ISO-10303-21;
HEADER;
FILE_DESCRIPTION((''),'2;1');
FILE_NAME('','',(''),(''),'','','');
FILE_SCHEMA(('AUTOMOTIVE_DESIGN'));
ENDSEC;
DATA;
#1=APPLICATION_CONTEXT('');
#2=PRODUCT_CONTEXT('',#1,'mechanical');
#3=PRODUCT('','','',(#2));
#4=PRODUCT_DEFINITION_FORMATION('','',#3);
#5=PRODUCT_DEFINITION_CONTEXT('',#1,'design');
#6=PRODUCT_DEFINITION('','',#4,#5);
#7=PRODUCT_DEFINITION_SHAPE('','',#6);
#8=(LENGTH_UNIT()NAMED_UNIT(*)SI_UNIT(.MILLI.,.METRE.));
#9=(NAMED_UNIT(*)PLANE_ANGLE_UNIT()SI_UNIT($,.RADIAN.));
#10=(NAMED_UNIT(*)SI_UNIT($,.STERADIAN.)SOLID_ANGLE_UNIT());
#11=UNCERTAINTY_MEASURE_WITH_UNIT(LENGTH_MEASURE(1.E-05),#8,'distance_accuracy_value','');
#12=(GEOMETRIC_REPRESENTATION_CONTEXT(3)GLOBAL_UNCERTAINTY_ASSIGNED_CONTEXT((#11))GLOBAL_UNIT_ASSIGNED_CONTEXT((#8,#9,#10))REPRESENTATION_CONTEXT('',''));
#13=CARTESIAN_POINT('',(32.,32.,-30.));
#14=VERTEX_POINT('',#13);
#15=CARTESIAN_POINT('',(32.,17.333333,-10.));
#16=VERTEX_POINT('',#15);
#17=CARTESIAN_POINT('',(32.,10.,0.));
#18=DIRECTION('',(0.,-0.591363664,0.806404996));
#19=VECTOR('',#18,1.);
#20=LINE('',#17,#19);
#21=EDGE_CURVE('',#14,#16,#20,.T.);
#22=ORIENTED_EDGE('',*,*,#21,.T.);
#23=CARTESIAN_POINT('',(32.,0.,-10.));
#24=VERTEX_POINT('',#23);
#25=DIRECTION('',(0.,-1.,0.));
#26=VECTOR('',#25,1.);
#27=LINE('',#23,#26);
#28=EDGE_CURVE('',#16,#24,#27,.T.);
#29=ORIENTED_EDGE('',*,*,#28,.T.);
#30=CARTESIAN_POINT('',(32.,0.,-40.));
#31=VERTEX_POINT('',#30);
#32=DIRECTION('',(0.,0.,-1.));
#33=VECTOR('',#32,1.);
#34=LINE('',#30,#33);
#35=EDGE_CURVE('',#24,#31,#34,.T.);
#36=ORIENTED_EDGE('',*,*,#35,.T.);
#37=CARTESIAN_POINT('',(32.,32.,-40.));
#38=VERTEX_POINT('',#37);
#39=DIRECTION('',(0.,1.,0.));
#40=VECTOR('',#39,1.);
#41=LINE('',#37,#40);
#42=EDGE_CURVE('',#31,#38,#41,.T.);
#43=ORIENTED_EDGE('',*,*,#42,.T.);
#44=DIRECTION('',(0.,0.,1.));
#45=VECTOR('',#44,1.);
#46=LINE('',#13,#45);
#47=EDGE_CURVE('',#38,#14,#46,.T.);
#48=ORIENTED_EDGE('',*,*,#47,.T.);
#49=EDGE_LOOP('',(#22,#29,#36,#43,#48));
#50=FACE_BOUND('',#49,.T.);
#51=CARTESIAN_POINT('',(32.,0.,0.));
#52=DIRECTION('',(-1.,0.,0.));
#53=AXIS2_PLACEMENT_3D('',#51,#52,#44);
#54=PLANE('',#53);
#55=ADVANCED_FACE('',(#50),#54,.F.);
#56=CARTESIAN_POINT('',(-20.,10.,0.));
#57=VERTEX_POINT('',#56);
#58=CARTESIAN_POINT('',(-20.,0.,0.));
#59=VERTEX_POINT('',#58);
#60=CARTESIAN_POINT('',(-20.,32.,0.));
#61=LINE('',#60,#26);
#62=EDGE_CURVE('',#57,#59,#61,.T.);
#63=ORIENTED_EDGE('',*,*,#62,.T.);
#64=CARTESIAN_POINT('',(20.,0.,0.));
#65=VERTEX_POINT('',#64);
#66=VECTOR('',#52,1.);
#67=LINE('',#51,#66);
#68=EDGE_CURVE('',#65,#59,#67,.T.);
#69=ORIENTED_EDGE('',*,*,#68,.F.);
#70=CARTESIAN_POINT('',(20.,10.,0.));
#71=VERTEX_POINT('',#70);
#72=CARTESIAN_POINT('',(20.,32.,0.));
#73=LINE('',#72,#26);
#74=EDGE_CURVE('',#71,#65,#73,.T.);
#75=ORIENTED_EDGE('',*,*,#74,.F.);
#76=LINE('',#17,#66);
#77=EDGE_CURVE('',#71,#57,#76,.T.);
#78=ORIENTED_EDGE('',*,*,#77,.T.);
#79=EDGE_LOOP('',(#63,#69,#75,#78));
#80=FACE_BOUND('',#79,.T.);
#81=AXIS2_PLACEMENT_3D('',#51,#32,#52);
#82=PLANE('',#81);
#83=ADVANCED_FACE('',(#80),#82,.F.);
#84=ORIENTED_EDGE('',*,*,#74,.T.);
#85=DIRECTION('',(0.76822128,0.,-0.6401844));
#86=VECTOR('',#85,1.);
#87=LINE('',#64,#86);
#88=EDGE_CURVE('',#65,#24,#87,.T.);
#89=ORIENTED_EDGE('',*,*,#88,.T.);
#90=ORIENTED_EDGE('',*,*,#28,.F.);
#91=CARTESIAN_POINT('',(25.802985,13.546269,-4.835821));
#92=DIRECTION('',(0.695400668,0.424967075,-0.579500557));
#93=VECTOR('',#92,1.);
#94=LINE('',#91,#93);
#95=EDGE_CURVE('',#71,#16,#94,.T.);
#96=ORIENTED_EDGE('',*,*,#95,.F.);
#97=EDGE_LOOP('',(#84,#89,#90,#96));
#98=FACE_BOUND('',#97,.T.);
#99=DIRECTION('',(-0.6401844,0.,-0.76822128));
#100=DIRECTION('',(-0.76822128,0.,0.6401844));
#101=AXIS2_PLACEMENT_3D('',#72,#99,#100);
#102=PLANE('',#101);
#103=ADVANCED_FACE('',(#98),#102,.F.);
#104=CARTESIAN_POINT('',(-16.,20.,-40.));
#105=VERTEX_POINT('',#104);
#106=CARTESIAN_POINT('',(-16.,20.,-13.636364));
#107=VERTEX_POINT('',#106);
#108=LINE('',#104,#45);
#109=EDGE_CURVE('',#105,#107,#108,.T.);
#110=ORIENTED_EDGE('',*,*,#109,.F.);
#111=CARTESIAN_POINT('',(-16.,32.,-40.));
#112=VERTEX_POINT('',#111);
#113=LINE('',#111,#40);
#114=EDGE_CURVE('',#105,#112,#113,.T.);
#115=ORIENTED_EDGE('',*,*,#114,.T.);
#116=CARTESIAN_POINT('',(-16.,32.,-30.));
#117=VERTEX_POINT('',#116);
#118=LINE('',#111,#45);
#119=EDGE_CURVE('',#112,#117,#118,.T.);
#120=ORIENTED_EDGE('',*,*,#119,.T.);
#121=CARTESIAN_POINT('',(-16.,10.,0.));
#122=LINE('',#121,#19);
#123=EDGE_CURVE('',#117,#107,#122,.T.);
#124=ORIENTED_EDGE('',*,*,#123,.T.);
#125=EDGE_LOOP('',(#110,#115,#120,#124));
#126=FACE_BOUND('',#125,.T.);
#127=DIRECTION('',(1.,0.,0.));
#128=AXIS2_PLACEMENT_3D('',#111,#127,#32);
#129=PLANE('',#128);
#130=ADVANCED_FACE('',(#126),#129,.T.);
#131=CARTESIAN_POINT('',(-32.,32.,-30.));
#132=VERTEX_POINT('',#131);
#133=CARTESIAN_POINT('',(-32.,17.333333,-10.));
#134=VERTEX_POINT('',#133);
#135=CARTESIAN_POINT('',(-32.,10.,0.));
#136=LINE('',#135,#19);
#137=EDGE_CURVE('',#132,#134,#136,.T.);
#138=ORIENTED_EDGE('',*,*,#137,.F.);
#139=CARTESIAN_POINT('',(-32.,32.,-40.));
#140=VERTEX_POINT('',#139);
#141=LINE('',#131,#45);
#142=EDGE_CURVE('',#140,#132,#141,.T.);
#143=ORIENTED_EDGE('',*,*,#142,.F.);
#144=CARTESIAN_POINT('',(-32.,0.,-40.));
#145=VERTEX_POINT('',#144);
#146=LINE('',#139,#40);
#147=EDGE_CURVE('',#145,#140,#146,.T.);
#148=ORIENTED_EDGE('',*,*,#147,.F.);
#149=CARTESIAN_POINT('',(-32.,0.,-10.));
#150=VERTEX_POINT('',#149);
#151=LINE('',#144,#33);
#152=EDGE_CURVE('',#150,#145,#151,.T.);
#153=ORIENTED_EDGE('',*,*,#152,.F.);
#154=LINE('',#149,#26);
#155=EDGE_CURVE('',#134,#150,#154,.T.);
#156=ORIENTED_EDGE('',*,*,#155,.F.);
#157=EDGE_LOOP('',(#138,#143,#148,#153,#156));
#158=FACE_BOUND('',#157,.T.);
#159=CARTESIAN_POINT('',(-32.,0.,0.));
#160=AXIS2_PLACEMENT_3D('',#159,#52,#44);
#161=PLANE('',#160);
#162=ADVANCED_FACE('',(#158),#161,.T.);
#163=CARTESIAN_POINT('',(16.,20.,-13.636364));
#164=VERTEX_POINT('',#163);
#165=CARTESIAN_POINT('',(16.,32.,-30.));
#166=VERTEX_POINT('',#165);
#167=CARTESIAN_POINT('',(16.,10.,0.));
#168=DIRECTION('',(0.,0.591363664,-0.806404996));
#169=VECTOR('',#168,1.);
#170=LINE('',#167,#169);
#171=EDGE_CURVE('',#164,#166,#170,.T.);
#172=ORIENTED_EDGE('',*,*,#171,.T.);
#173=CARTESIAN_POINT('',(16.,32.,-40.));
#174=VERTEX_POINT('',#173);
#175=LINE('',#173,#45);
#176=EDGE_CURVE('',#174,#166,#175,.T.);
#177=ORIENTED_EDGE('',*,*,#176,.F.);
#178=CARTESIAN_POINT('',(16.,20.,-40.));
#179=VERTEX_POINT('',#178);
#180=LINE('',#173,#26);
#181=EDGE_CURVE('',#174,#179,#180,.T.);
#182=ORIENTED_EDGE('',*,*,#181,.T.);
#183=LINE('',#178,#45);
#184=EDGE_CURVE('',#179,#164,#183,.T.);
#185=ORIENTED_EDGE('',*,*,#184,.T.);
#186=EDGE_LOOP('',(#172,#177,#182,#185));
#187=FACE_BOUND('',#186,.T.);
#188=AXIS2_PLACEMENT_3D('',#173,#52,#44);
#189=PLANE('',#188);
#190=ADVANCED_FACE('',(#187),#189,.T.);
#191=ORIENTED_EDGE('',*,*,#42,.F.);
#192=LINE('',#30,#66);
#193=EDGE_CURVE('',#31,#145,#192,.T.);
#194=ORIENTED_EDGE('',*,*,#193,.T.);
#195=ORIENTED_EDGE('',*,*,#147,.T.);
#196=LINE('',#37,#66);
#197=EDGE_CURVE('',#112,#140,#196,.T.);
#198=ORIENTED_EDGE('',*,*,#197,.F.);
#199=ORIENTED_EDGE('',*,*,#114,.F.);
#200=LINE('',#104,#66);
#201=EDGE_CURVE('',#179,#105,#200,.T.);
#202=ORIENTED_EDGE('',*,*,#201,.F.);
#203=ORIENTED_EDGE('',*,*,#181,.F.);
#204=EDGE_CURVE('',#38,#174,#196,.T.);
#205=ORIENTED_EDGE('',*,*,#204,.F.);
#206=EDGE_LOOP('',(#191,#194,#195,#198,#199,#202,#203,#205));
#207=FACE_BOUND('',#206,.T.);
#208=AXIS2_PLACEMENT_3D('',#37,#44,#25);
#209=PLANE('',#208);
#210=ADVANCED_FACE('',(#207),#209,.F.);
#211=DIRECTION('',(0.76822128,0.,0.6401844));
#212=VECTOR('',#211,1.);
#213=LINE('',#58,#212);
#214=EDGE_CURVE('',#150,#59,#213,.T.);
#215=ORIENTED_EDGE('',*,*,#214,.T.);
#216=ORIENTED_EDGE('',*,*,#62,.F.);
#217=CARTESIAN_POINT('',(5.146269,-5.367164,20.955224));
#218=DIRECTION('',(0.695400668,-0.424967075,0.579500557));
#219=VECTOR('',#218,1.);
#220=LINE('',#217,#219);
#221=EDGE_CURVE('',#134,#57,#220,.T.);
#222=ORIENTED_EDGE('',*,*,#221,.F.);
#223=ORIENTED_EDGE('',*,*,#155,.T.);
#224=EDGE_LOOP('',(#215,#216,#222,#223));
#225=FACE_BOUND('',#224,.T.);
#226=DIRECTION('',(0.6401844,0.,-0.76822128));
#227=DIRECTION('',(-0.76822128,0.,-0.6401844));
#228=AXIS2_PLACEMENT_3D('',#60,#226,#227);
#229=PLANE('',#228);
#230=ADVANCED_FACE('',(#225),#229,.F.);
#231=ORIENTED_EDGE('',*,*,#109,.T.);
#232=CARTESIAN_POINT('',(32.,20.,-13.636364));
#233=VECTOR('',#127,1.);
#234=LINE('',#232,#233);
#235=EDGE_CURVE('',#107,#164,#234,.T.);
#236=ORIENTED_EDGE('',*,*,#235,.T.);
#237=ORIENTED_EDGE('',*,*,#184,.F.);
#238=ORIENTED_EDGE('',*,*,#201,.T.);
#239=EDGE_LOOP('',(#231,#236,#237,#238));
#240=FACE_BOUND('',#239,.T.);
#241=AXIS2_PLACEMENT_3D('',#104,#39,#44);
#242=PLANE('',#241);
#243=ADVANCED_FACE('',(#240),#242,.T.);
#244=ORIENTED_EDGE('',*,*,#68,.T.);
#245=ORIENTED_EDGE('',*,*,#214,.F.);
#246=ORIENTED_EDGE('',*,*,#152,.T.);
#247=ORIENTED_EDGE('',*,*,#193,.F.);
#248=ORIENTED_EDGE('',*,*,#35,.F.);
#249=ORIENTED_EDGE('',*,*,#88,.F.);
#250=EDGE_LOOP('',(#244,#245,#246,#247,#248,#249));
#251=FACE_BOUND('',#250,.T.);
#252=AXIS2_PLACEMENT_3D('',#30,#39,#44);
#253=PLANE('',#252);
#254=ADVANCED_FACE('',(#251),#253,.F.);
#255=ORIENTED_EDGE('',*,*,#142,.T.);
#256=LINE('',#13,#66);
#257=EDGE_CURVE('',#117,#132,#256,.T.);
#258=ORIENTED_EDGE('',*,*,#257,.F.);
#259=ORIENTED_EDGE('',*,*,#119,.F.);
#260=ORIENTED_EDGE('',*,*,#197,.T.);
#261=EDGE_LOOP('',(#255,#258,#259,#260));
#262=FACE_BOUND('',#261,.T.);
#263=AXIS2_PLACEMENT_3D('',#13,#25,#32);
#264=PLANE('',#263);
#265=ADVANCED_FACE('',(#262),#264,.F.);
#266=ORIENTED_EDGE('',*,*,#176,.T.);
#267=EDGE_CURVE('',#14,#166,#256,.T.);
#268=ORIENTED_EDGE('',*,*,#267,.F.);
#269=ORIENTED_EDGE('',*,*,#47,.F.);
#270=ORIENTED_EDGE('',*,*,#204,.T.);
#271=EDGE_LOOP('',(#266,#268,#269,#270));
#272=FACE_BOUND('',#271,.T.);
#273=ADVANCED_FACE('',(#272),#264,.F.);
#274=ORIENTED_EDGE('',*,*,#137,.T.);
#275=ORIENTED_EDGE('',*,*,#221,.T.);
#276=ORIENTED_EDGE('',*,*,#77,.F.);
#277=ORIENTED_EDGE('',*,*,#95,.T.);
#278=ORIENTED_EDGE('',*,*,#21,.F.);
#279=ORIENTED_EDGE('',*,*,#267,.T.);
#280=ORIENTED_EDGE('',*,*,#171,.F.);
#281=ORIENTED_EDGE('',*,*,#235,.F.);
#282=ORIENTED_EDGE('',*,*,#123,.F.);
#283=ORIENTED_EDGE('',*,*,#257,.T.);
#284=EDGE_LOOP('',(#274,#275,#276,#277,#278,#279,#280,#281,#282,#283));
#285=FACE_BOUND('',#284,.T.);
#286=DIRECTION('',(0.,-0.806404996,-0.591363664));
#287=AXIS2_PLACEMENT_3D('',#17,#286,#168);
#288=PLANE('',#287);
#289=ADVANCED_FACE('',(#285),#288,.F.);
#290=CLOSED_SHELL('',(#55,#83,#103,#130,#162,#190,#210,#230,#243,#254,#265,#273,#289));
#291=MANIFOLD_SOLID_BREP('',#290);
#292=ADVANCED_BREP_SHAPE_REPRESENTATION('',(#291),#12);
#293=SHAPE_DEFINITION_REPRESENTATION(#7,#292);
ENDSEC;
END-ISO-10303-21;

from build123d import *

# Parameters (mm, degrees)
EXTRUDE_1_DEPTH     = 32
SKETCH_2_W          = 32
SKETCH_2_H          = 12
CUT_EXTRUDE_2_DEPTH = 61.398675482
CUT_EXTRUDE_3_DEPTH = 61.398675482


with BuildPart() as part:
    # 草圖1 → 伸長1 (new, symmetric)
    with BuildSketch(Plane(origin=(0, 0, 0), x_dir=(0, 0, -1), z_dir=(1, 0, 0))):
        Polygon((0, 0), (0, 10), (30, 32), (40, 32), (40, 0), align=None)
    extrude(amount=EXTRUDE_1_DEPTH, both=True)

    # 草圖2 → 伸長2 (cut, through all)
    with BuildSketch(Plane(origin=(0, 0, 0), x_dir=(-1, 0, 0), z_dir=(0, 0, -1))):
        with Locations((0, 26)):
            Rectangle(SKETCH_2_W, SKETCH_2_H)
    extrude(amount=CUT_EXTRUDE_2_DEPTH, mode=Mode.SUBTRACT)

    # 草圖3 → 伸長3 (cut, through all)
    with BuildSketch(Plane.XZ):
        Polygon((-32, -10), (-32, 0), (-20, 0), align=None)
        Polygon((32, -10), (32, 0), (20, 0), align=None)
    extrude(amount=-CUT_EXTRUDE_3_DEPTH, mode=Mode.SUBTRACT)


solid = part.part
